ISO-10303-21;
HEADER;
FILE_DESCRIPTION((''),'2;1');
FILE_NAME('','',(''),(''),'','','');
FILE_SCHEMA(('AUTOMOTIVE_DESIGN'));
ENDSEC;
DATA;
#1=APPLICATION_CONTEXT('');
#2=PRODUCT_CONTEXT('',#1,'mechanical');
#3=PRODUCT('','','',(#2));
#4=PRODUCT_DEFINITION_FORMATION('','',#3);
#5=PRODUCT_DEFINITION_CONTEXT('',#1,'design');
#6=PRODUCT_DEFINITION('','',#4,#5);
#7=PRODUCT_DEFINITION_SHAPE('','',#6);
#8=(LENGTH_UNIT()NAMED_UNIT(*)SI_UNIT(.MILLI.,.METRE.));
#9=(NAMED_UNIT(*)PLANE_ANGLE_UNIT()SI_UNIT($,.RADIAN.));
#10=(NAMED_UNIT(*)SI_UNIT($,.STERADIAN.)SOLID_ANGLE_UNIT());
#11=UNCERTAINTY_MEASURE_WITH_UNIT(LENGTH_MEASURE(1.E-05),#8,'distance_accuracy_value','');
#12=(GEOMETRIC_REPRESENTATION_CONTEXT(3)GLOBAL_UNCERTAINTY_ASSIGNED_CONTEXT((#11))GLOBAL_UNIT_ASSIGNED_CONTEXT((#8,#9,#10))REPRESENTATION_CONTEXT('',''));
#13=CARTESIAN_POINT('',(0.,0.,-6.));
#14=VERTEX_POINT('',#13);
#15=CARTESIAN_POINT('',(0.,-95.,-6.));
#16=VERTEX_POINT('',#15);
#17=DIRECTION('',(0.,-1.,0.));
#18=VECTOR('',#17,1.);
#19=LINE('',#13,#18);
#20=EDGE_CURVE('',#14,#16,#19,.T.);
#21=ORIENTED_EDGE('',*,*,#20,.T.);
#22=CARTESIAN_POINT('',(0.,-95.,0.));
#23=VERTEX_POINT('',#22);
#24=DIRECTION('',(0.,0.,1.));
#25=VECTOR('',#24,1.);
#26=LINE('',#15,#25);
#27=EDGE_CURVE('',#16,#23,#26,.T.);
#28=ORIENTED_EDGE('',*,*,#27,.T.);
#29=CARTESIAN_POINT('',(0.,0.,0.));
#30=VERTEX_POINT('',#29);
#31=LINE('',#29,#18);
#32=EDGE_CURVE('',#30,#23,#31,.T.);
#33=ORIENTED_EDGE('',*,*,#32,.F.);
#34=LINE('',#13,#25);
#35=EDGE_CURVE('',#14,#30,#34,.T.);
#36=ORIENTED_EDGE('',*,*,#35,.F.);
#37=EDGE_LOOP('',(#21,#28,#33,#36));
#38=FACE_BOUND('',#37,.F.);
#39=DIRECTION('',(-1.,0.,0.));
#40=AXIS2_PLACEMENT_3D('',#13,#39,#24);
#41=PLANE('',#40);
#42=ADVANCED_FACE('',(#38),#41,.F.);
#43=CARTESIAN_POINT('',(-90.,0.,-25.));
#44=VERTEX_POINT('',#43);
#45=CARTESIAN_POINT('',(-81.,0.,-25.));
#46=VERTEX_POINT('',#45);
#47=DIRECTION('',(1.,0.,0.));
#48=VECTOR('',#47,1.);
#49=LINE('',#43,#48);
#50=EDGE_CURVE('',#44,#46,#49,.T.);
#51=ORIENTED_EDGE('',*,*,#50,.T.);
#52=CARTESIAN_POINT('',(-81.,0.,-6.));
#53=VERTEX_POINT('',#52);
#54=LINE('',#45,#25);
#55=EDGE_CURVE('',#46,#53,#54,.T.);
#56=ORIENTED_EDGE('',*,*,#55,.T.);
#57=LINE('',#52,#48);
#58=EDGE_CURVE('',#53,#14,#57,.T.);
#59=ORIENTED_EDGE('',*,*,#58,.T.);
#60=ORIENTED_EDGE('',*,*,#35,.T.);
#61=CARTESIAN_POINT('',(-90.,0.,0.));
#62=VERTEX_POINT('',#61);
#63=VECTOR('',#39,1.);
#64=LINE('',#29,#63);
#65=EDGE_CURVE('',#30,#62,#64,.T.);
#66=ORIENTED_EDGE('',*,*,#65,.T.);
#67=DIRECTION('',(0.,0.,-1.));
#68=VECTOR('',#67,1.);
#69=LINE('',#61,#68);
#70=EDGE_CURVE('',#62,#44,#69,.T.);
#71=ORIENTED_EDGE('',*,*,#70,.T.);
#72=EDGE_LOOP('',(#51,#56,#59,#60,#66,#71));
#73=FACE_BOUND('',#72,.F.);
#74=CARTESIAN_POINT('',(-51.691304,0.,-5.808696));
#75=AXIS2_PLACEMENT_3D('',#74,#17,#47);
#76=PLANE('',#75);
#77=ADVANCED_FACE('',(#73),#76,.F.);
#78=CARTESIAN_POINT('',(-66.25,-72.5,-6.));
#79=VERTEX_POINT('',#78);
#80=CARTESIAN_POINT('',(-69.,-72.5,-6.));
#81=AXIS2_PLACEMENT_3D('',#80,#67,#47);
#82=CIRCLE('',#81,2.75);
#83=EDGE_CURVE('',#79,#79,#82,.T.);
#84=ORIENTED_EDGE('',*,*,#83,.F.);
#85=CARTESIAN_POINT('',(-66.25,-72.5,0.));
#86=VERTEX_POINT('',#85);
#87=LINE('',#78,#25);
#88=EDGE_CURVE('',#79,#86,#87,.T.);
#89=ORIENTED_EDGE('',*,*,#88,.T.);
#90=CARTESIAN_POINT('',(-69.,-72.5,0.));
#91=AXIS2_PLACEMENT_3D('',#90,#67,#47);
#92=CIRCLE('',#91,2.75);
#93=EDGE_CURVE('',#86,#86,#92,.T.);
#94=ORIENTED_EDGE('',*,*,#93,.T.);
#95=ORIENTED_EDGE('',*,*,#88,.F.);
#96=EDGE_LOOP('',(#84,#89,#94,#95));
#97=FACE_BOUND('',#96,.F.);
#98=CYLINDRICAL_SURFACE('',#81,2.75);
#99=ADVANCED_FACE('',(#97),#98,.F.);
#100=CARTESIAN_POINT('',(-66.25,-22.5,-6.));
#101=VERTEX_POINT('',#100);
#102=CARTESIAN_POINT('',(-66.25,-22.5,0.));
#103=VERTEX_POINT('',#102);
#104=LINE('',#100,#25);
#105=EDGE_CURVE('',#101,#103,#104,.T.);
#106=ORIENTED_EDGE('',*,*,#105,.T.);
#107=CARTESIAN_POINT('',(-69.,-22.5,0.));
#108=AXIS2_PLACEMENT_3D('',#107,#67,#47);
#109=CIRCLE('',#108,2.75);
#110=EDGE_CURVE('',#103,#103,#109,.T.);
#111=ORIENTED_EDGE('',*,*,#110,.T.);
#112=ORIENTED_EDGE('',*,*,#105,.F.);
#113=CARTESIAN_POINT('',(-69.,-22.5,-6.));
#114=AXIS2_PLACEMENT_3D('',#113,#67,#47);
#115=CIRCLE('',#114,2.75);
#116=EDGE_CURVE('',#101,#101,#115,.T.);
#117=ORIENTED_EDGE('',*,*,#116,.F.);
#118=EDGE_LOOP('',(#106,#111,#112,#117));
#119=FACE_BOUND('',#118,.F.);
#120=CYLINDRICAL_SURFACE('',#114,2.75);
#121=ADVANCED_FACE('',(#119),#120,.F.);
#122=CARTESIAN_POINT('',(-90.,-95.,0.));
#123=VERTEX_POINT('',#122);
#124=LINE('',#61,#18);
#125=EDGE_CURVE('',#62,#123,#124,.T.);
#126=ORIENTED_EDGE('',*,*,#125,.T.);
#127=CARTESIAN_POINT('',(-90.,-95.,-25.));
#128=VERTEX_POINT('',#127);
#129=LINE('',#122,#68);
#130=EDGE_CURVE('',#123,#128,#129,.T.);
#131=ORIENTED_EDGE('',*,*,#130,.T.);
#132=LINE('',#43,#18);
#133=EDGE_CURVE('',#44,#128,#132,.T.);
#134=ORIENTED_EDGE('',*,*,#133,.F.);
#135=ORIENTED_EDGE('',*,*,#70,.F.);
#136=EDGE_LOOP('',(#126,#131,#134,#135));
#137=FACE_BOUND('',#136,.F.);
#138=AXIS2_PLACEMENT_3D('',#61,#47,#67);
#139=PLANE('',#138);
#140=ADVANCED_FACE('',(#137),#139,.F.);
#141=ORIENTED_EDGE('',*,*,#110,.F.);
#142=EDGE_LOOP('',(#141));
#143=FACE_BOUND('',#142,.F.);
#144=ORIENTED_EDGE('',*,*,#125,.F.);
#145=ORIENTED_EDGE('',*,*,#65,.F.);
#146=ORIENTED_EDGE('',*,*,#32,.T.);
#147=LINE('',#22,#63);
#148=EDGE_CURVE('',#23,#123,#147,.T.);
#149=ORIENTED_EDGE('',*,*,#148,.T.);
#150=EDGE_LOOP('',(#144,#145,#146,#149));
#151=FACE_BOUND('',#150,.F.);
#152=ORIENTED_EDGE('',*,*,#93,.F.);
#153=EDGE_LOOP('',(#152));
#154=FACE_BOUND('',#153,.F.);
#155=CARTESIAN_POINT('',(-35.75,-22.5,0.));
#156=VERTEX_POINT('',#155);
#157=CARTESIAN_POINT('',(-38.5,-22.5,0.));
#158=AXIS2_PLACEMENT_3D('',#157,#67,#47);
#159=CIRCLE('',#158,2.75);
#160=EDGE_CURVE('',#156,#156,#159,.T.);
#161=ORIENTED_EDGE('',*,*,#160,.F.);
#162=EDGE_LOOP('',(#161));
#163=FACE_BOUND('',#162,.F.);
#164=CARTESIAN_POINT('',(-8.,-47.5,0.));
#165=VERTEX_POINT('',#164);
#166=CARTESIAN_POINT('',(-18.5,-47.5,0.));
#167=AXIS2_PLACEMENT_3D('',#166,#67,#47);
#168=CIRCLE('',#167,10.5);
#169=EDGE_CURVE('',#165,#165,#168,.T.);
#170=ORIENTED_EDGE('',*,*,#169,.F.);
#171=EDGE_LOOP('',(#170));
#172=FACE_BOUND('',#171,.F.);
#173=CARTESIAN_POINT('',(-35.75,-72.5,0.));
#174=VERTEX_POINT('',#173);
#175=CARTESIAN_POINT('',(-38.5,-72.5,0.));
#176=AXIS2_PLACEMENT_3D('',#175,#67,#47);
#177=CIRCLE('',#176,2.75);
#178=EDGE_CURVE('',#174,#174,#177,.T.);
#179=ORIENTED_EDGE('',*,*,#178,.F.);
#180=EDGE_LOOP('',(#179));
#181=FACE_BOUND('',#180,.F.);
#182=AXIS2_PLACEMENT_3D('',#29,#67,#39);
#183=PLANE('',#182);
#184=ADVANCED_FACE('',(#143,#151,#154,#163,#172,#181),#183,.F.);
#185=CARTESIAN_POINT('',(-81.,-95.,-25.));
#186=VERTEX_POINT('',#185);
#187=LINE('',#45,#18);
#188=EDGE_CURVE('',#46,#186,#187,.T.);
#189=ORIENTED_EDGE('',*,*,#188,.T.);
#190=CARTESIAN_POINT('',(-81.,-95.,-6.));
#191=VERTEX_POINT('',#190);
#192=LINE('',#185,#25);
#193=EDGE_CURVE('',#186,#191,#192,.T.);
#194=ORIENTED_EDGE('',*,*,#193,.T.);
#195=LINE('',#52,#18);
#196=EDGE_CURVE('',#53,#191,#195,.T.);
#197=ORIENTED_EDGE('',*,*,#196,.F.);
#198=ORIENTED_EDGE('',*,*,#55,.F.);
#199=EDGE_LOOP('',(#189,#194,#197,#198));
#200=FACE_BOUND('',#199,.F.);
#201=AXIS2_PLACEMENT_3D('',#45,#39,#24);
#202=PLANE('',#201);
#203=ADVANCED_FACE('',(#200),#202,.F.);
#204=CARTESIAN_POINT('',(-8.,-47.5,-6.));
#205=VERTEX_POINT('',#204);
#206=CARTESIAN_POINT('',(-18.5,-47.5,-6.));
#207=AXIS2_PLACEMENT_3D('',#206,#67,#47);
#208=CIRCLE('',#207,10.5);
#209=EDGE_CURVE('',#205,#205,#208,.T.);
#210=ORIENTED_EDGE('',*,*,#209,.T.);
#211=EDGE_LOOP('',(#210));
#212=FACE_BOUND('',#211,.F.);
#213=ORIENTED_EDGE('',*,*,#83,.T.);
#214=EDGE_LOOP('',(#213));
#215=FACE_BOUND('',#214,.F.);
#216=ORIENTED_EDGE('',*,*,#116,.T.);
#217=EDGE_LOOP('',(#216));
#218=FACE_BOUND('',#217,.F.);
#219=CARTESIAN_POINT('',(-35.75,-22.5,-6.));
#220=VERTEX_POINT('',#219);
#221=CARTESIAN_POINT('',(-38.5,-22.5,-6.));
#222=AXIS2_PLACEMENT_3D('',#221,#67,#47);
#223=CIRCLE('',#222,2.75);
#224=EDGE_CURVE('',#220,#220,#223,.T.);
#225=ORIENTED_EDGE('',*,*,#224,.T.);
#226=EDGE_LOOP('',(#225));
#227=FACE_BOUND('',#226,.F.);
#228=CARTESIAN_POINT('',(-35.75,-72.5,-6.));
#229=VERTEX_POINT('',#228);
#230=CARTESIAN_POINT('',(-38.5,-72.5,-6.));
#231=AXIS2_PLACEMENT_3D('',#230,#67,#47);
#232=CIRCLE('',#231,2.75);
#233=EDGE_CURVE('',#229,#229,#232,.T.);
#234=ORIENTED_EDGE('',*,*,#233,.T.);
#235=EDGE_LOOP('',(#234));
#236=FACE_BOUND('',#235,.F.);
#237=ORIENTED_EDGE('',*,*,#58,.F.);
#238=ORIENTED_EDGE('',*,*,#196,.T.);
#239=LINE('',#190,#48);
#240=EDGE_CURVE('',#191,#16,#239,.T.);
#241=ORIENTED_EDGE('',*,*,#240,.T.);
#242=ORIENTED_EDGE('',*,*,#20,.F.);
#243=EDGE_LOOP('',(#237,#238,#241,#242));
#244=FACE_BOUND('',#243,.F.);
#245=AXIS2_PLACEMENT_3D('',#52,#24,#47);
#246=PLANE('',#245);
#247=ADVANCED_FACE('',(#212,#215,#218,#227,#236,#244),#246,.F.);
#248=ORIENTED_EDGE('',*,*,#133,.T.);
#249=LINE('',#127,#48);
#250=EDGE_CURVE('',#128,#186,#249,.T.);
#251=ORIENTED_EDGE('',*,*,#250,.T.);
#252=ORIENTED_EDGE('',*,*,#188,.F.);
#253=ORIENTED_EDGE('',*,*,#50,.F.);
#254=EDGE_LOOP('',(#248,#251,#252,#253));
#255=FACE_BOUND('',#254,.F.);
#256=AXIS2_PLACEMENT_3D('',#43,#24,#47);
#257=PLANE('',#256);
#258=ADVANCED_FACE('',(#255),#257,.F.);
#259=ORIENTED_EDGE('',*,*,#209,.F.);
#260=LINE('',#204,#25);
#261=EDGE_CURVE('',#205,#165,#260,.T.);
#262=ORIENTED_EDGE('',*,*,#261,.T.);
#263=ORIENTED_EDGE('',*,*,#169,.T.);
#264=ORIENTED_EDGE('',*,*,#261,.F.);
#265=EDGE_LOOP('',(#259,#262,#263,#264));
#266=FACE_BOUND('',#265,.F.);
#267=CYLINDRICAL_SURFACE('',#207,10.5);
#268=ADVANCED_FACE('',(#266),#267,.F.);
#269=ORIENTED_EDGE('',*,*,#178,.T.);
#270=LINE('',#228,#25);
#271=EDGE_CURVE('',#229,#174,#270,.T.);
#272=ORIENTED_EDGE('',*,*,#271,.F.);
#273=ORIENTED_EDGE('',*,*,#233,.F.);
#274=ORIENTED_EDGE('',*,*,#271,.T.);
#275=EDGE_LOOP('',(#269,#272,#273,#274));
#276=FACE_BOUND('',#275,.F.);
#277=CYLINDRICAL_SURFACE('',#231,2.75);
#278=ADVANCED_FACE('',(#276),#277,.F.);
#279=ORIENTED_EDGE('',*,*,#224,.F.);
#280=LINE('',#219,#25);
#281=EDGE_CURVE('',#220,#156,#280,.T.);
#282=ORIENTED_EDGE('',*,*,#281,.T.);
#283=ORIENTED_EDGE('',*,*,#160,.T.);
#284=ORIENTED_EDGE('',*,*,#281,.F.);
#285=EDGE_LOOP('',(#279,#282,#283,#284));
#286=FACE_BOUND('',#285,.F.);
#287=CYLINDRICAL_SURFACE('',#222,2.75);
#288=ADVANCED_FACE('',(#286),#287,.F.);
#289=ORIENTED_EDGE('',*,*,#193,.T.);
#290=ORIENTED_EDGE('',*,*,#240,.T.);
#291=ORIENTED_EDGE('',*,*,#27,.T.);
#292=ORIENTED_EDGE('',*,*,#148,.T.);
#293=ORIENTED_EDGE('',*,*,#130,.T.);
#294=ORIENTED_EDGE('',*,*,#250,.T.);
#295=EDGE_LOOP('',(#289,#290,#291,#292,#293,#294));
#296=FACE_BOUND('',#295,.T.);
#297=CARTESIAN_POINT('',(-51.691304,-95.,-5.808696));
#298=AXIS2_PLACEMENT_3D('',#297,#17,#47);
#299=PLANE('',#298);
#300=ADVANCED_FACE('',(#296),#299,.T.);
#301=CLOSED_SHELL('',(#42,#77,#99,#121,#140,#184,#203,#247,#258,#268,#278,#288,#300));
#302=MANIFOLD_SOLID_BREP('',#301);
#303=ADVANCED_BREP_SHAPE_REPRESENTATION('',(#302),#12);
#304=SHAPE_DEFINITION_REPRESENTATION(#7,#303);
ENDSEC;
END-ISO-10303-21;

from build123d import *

# Parameters (mm, degrees)
F1_DEPTH = 95
F2_R     = 2.75
F2_R_2   = 10.5
F3_DEPTH = 6


with BuildPart() as f1:
    # F0 (on Front) → F1 (new body)
    with BuildSketch(Plane.XZ):
        Polygon((0, -6), (0, 0), (-90, 0), (-90, -25), (-81, -25), (-81, -6), align=None)
    extrude(amount=F1_DEPTH)

    # F2 (on face) → F3 (cut)
    with BuildSketch(Plane(origin=(0, 0, -6), x_dir=(1, 0, 0), z_dir=(0, 0, -1))):
        with Locations((-69, 72.5)):
            Circle(F2_R)
        with Locations((-38.5, 72.5)):
            Circle(F2_R)
        with Locations((-69, 22.5)):
            Circle(F2_R)
        with Locations((-38.5, 22.5)):
            Circle(F2_R)
        with Locations((-18.5, 47.5)):
            Circle(F2_R_2)
    extrude(amount=-F3_DEPTH, mode=Mode.SUBTRACT)


solid = f1.part
